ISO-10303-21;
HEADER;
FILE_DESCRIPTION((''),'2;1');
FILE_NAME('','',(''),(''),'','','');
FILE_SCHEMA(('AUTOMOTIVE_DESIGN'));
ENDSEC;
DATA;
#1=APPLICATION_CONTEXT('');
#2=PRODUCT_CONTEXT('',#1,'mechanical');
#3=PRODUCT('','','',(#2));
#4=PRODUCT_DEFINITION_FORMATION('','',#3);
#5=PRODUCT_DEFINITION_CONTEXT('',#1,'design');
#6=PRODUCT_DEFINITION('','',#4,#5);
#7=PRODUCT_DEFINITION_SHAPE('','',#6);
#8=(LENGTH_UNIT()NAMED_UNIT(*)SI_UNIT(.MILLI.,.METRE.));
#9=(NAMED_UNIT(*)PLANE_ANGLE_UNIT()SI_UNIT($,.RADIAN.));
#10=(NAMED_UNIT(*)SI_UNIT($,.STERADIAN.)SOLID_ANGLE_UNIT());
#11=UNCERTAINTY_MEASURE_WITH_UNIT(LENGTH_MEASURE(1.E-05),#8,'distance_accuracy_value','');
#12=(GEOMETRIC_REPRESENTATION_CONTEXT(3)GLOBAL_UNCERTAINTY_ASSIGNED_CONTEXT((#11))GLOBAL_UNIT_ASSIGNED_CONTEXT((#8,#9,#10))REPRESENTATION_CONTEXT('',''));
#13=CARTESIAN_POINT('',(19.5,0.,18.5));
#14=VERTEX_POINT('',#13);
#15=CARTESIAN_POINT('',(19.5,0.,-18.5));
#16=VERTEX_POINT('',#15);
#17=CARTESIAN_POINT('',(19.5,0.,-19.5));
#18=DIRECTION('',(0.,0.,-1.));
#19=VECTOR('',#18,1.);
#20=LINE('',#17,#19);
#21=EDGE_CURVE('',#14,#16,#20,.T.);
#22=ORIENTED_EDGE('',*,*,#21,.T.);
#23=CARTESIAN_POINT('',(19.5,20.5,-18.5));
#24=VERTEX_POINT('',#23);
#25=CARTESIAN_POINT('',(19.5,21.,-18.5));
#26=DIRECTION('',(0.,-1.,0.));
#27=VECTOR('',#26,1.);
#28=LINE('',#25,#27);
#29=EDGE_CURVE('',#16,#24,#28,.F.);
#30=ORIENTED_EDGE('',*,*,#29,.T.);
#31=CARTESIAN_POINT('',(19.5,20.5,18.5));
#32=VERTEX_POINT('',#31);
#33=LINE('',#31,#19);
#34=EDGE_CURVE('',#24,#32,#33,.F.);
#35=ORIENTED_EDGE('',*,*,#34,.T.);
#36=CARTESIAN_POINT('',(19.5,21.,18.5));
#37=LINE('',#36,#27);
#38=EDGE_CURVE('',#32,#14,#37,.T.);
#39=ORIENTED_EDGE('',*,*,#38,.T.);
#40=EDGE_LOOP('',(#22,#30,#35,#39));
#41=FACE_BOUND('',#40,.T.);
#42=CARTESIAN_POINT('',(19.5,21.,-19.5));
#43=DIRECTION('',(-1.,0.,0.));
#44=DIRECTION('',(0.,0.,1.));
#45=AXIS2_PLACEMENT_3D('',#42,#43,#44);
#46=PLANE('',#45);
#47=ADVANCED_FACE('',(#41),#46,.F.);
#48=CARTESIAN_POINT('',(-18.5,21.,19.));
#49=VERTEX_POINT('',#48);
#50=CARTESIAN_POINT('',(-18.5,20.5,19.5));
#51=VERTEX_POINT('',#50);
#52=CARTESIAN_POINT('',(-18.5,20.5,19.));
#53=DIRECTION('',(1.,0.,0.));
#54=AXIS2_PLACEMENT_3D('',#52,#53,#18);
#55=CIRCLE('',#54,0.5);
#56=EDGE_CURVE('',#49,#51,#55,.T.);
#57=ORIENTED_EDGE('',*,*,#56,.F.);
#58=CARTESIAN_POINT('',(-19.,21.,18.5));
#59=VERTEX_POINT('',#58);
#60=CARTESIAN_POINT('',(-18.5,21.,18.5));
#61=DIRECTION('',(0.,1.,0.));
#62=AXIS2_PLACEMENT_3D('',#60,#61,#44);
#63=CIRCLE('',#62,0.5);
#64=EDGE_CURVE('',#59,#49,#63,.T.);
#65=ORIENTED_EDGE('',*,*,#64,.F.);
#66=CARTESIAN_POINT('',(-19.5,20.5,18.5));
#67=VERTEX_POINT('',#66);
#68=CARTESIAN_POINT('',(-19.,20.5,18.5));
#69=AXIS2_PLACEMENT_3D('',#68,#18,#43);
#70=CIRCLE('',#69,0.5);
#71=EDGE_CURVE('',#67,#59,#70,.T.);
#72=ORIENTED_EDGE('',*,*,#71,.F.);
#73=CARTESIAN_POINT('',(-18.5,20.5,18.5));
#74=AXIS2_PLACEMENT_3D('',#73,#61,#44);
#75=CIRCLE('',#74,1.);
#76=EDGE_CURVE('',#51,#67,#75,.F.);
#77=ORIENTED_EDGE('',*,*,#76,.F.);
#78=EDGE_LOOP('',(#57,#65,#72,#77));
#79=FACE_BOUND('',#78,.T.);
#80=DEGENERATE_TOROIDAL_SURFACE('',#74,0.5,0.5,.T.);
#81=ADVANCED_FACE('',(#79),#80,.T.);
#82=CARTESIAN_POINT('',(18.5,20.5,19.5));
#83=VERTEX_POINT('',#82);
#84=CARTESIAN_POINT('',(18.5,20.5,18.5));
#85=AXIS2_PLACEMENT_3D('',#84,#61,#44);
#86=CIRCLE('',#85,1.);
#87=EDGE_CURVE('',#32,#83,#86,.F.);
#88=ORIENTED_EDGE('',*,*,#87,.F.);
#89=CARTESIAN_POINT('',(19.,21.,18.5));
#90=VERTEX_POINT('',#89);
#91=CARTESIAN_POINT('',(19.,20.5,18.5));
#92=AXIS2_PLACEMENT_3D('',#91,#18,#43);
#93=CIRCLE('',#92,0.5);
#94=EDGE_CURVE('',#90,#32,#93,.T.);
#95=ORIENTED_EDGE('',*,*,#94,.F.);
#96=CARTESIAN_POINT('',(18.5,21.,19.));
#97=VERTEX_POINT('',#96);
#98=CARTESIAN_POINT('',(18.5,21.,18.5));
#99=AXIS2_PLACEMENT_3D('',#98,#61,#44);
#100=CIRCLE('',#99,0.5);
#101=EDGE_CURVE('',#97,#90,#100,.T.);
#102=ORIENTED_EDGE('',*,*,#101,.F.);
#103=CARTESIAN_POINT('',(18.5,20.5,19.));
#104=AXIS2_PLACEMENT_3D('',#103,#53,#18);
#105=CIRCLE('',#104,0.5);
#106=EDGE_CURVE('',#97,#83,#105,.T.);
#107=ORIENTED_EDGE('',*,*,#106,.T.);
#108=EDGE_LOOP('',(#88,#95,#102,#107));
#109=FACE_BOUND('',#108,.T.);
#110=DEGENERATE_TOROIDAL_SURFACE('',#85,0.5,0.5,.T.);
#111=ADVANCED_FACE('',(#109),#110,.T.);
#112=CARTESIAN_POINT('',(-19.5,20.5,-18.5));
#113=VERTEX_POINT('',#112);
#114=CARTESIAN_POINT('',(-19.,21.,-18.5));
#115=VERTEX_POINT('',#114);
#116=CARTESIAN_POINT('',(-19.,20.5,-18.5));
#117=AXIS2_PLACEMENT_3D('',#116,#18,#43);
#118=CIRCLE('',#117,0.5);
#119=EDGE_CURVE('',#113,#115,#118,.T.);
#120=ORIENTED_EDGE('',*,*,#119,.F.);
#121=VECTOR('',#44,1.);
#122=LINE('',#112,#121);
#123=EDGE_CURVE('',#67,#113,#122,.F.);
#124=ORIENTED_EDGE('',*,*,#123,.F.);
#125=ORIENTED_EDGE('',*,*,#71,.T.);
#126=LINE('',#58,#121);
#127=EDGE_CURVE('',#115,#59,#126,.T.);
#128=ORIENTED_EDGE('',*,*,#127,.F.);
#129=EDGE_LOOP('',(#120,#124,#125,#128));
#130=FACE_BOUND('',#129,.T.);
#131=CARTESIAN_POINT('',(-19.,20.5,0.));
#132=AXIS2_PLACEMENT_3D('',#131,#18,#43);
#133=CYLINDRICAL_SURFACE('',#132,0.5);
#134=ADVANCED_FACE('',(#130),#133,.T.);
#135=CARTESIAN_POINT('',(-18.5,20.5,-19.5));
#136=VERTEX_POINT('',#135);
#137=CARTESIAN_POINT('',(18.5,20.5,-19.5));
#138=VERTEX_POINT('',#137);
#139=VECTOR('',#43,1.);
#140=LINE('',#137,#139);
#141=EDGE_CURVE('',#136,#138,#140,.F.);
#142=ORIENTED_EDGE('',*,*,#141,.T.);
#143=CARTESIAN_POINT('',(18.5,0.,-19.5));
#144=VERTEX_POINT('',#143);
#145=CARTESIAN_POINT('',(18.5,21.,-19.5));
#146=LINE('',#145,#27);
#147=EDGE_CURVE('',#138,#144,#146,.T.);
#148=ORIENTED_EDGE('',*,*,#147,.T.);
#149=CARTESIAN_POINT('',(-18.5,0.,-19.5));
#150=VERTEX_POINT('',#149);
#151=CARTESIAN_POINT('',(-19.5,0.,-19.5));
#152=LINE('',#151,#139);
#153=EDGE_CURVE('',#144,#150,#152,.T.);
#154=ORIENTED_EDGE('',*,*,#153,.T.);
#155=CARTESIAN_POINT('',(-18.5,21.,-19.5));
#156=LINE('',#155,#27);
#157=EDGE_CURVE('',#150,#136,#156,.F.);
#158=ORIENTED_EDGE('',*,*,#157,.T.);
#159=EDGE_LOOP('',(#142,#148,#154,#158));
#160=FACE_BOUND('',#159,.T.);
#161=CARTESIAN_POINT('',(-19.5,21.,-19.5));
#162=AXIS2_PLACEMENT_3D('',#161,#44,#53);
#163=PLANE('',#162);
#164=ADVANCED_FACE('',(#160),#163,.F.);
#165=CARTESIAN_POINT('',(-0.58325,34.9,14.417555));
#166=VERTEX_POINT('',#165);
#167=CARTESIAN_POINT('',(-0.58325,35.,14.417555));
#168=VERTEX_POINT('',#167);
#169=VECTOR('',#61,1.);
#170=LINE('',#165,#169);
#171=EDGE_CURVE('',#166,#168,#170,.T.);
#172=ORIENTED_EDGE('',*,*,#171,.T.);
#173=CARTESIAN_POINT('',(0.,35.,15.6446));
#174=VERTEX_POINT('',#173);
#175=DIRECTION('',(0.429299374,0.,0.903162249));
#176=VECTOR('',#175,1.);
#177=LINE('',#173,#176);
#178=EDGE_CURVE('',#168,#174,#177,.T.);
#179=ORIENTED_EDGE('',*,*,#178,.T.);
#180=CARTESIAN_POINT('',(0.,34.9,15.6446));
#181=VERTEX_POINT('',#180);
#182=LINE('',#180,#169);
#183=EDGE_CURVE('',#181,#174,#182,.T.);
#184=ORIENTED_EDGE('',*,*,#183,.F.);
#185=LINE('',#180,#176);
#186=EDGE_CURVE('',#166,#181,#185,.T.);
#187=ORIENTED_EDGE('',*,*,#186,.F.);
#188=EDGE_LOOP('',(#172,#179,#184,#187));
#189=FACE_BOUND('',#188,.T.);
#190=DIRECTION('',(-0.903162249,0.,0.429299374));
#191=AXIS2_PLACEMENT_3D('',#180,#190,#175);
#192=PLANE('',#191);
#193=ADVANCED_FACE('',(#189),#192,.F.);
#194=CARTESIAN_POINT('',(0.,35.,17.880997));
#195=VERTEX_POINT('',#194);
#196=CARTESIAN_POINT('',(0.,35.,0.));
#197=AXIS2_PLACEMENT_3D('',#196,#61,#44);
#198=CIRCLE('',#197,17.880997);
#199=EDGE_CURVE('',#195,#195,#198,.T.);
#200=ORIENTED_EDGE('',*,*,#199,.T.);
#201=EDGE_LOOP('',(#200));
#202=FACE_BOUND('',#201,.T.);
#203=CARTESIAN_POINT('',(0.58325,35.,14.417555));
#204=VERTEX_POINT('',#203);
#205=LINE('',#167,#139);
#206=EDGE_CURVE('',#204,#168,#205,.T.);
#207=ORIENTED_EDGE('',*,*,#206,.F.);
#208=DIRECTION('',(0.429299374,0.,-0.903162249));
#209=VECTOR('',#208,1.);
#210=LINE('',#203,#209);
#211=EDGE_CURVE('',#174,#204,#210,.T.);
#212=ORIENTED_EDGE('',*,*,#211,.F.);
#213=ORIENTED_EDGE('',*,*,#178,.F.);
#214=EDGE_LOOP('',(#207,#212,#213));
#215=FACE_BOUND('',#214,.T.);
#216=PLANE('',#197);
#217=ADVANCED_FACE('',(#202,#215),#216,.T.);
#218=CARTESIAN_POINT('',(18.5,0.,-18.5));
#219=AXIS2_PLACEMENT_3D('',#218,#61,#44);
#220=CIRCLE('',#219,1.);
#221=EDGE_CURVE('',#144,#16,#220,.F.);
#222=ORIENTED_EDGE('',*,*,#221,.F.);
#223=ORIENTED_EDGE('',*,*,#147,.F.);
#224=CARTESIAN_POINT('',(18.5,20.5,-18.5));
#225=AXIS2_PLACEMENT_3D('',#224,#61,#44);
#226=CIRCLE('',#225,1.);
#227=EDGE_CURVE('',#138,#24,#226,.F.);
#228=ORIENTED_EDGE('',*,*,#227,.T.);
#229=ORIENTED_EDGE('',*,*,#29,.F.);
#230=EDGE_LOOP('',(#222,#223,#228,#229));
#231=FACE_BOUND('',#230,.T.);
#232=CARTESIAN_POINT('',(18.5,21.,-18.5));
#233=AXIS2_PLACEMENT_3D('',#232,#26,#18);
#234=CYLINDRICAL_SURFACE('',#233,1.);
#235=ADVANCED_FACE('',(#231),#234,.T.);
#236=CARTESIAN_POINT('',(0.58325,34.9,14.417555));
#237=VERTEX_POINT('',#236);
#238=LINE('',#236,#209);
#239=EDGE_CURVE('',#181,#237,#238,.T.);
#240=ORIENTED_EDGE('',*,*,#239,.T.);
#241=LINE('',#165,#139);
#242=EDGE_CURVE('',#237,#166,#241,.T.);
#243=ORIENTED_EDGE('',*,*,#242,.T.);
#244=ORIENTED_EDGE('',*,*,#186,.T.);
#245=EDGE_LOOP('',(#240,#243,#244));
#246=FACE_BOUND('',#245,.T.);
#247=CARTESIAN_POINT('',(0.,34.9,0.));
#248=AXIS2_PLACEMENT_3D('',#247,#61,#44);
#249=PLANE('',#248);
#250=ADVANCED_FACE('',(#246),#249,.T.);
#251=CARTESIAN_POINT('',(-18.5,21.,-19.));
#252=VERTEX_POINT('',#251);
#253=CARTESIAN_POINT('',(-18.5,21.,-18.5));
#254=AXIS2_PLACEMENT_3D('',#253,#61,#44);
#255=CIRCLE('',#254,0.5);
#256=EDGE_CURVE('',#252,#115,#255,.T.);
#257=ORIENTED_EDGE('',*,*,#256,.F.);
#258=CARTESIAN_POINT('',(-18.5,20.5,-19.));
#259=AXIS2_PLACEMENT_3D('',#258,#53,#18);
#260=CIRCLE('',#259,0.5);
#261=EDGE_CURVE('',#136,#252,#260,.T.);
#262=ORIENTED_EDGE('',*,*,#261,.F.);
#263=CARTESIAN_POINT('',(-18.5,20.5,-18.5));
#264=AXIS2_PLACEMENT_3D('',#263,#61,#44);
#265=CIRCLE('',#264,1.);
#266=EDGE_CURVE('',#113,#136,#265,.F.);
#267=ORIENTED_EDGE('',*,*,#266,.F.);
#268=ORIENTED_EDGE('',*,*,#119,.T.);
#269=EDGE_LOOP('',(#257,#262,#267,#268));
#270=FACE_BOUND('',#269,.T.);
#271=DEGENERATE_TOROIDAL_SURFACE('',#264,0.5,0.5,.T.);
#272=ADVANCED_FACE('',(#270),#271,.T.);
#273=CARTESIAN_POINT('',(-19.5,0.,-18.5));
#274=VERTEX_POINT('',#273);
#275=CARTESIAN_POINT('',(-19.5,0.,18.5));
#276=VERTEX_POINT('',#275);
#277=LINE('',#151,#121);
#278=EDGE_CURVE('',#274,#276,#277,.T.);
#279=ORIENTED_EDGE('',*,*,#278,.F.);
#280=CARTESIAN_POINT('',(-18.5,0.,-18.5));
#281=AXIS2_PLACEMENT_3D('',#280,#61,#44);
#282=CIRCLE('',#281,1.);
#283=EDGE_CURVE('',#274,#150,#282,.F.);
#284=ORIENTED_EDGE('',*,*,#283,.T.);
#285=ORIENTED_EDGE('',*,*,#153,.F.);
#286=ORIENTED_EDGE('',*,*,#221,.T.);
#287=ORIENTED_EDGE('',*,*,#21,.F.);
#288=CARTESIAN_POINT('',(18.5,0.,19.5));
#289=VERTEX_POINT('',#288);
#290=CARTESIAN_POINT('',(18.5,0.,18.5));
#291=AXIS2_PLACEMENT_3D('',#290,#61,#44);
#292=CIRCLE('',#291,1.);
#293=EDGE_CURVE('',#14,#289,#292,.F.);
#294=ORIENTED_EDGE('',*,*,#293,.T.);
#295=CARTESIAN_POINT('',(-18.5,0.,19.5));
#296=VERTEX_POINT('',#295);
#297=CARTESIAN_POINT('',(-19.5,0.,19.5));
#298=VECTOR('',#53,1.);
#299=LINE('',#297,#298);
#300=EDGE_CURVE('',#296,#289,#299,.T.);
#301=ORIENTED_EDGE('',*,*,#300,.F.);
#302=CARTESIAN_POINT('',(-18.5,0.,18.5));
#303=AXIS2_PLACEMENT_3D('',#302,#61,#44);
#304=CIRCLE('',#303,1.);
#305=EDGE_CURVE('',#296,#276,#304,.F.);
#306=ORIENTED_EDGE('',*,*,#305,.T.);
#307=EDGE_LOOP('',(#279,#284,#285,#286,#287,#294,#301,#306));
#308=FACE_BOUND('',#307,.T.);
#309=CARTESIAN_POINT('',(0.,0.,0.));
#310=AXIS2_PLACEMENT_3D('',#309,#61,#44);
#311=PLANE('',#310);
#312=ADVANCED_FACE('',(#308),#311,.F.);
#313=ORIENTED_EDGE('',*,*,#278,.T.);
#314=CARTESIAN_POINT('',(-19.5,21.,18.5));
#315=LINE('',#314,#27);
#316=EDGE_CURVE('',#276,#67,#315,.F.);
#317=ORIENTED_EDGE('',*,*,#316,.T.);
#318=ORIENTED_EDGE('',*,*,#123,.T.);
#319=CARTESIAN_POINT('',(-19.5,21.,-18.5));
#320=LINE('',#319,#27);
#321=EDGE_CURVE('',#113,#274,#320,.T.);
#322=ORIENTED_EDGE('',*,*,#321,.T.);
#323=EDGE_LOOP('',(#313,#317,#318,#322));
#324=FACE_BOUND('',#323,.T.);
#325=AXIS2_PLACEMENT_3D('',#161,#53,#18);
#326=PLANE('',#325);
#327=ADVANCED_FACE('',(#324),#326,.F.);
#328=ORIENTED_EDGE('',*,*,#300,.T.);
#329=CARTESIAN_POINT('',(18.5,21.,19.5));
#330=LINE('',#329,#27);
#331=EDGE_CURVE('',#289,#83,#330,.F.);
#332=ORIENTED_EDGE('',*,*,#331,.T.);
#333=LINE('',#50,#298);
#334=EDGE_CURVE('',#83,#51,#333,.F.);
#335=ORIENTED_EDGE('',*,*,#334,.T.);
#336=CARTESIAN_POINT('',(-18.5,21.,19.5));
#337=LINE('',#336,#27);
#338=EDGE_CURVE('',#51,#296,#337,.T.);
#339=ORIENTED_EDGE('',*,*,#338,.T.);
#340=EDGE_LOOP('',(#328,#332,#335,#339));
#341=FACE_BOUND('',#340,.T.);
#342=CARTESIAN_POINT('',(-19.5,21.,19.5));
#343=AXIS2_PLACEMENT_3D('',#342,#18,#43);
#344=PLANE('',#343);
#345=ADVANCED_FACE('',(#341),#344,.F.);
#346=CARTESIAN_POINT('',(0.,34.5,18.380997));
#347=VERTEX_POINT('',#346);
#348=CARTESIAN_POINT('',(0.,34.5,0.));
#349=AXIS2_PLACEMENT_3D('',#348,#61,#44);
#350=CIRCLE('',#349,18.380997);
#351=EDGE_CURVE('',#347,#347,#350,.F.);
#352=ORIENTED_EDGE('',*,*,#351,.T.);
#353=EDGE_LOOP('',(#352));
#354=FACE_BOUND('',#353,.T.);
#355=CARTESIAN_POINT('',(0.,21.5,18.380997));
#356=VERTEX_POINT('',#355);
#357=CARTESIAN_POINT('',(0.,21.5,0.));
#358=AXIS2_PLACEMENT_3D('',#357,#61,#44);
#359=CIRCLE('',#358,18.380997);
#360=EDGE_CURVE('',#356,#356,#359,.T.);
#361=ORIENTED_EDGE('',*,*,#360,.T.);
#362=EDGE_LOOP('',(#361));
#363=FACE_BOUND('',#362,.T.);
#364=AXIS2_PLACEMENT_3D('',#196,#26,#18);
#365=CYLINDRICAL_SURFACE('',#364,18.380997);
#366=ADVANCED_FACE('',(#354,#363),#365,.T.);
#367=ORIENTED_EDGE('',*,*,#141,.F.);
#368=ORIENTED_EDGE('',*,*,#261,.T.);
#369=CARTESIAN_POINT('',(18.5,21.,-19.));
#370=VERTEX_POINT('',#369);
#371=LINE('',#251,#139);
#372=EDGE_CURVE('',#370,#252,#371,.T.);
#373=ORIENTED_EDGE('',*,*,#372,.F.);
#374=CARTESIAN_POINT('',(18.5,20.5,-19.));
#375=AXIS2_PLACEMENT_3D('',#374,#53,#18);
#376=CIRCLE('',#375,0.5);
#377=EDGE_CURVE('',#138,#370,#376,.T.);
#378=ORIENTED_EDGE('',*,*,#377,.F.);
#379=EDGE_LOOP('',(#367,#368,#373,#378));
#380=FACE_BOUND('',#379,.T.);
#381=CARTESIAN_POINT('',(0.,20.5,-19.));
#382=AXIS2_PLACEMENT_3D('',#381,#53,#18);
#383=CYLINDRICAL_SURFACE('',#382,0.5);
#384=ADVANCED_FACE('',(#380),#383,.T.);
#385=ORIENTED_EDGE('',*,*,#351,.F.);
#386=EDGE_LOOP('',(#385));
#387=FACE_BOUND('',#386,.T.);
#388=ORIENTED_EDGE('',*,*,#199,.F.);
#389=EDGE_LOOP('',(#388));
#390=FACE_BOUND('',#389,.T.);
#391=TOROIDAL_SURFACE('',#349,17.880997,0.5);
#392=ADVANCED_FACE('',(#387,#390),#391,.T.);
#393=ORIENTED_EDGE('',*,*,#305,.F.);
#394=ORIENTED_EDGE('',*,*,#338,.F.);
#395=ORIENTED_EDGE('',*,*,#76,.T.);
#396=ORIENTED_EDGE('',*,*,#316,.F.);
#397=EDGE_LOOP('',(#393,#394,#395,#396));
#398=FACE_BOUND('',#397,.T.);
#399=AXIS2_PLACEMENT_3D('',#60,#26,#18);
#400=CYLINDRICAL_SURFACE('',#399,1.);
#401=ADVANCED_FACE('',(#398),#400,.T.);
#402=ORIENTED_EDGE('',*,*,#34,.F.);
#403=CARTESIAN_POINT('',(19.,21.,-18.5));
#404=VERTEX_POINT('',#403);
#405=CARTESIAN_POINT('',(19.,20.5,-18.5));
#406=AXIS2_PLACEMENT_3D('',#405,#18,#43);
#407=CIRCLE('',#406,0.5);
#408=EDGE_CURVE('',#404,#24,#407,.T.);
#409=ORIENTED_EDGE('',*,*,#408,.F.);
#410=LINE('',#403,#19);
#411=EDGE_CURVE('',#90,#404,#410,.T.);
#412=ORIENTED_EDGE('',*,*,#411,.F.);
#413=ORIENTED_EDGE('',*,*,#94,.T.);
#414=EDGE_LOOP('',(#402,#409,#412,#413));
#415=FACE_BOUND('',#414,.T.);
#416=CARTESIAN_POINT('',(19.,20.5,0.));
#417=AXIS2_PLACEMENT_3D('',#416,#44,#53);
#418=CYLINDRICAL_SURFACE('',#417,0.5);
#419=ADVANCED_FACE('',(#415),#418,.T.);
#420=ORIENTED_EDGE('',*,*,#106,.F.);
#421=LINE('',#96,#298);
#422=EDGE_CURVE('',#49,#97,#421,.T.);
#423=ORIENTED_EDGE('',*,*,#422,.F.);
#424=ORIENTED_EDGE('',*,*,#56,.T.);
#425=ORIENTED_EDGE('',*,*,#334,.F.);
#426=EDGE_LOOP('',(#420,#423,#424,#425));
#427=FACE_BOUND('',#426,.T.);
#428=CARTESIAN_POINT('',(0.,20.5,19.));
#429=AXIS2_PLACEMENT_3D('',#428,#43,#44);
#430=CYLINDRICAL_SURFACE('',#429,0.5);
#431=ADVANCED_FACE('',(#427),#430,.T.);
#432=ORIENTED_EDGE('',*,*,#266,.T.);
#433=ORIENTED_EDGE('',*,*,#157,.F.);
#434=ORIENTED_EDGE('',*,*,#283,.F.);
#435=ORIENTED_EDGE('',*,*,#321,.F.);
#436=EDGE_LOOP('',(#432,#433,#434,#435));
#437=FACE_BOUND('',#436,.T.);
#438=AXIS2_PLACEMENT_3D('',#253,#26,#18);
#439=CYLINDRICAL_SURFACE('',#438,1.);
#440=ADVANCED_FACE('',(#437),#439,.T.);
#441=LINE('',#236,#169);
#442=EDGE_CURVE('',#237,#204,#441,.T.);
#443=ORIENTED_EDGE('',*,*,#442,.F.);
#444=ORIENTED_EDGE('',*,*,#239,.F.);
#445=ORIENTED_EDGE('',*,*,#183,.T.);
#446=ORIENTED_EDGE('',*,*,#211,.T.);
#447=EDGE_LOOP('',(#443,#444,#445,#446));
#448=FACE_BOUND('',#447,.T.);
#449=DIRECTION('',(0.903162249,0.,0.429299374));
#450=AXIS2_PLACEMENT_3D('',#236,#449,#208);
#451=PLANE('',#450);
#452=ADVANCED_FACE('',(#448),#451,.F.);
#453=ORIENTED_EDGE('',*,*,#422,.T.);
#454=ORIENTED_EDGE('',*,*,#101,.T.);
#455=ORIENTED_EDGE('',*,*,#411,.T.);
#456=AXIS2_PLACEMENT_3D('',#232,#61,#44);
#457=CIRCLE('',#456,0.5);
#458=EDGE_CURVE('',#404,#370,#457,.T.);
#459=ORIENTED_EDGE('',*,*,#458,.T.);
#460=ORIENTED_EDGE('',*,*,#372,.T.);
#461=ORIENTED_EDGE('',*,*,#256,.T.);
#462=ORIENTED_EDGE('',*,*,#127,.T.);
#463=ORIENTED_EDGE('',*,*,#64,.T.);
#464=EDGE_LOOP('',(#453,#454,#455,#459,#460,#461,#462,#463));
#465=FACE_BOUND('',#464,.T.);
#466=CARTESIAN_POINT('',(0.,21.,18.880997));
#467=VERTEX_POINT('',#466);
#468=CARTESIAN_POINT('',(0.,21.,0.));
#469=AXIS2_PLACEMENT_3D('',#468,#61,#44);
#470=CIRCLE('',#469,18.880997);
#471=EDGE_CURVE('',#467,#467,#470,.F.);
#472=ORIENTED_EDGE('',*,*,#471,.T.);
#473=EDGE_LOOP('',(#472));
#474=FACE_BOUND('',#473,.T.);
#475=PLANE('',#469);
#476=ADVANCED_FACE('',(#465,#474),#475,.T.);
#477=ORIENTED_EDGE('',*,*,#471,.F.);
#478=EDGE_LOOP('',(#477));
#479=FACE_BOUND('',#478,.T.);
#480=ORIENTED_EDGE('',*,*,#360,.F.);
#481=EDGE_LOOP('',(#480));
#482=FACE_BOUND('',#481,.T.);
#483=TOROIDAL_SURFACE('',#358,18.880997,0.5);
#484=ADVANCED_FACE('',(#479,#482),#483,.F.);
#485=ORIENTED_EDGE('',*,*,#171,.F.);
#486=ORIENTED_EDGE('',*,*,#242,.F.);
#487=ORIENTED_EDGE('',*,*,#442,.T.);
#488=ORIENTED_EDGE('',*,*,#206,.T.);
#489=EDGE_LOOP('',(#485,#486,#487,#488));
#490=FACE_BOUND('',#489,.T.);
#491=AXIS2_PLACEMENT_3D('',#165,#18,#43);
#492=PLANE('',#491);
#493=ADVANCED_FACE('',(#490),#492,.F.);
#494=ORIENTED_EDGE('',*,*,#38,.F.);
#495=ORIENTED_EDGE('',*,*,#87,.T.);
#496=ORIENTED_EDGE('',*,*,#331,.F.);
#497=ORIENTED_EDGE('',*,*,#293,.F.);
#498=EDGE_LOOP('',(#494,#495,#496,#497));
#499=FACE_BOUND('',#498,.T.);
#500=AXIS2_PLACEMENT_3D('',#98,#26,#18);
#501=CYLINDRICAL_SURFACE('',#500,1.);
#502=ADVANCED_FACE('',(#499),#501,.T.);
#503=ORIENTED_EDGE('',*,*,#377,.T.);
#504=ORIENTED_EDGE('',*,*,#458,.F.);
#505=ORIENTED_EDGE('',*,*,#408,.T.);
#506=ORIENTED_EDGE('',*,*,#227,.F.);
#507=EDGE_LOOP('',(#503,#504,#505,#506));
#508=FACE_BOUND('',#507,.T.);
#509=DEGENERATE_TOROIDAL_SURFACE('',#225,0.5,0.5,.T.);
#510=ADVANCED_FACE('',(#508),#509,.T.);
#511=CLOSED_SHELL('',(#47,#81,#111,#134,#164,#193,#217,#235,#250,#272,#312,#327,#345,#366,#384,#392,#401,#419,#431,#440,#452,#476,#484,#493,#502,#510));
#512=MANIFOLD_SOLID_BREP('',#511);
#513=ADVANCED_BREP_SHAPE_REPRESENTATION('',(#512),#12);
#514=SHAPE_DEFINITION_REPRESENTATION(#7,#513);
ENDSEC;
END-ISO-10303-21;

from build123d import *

# Parameters (mm, degrees)
SKETCH_1_W          = 39
SKETCH_1_H          = 39
EXTRUDE_1_DEPTH     = 21
SKETCH_2_R          = 18.38099713
EXTRUDE_2_DEPTH     = 14
FILLET_1_R          = 1
FILLET_2_R          = 0.5
CUT_EXTRUDE_1_DEPTH = 0.1


with BuildPart() as part:
    # 草图1 → 凸台-拉伸1 (new body)
    with BuildSketch(Plane(origin=(0, 0, 0), x_dir=(1, 0, 0), z_dir=(0, 1, 0))):
        Rectangle(SKETCH_1_W, SKETCH_1_H)
    extrude(amount=EXTRUDE_1_DEPTH)

    # 草图2 → 凸台-拉伸2 (add)
    with BuildSketch(Plane(origin=(0, 21, 0), x_dir=(1, 0, 0), z_dir=(0, 1, 0))):
        Circle(SKETCH_2_R)
    extrude(amount=EXTRUDE_2_DEPTH)

    # 圆角1
    fillet_1_edges = [part.edges().sort_by_distance(p)[0] for p in [
        (19.5, 10.5, 19.5),
        (-19.5, 10.5, 19.5),
        (-19.5, 10.5, -19.5),
        (19.5, 10.5, -19.5),
    ]]
    fillet(fillet_1_edges, radius=FILLET_1_R)

    # 圆角2
    fillet_2_edges = [part.edges().sort_by_distance(p)[0] for p in [
        (-18.38099713, 21, 0),
        (-18.38099713, 35, 0),
        (-19.5, 21, 0),
        (0, 21, -19.5),
        (19.5, 21, 0),
        (0, 21, 19.5),
        (19.207106781, 21, -19.207106781),
        (19.207106781, 21, 19.207106781),
        (-19.207106781, 21, 19.207106781),
        (-19.207106781, 21, -19.207106781),
    ]]
    fillet(fillet_2_edges, radius=FILLET_2_R)

    # 草图3 → 切除-拉伸1 (cut)
    with BuildSketch(Plane(origin=(0, 35, 0), x_dir=(1, 0, 0), z_dir=(0, 1, 0))):
        Polygon((0, -15.64459956), (-0.583250004, -14.417555177), (0.583250004, -14.417555177), align=None)
    extrude(amount=-CUT_EXTRUDE_1_DEPTH, mode=Mode.SUBTRACT)


solid = part.part
